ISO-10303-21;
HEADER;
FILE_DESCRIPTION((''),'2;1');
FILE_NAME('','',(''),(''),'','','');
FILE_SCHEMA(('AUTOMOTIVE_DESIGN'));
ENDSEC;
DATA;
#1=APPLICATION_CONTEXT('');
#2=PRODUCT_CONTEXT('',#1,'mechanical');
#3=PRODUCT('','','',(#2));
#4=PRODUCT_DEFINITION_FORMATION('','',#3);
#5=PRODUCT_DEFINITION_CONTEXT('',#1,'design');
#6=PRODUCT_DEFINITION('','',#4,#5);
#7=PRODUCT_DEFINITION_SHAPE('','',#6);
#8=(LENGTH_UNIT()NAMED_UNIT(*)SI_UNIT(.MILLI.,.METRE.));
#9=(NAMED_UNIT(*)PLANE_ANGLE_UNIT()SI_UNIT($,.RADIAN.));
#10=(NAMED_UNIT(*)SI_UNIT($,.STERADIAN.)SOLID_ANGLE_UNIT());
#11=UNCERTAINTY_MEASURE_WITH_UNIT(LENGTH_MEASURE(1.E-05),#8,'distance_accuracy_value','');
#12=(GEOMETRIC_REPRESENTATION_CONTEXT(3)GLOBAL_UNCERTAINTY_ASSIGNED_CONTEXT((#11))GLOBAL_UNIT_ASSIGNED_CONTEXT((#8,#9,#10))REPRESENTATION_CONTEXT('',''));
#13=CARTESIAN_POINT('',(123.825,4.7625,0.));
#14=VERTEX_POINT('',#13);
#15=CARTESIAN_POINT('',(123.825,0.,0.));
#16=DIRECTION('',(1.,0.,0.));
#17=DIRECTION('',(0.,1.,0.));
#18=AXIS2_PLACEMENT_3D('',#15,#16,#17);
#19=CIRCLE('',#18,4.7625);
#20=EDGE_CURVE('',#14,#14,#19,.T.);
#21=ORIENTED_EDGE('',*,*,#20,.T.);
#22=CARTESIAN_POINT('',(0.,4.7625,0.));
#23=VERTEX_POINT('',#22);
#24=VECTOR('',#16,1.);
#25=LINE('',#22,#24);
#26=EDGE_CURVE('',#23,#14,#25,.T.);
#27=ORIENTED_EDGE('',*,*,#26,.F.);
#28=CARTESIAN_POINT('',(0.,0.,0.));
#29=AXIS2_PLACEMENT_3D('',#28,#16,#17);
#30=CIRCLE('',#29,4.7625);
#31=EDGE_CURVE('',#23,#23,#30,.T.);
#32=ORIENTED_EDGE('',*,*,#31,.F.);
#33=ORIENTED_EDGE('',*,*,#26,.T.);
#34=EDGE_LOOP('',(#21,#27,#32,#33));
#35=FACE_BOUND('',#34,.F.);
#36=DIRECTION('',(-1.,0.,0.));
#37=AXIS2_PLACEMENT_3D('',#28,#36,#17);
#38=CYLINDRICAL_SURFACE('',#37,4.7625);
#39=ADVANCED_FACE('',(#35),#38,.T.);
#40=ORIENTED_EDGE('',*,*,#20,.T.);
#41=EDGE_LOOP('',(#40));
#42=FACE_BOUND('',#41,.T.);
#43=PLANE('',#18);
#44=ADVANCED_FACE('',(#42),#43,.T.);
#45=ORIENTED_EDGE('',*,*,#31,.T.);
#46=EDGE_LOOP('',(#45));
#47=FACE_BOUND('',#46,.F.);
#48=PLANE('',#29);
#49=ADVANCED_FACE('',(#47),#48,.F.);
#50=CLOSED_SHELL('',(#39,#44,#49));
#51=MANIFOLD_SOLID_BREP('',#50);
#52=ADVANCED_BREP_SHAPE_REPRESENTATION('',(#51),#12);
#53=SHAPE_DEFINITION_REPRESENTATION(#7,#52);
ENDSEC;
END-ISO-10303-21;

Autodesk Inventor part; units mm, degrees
ref_plane "YZ Plane" through (0, 0, 0) normal (1, 0, 0) x (0, 1, 0)
ref_plane "XZ Plane" through (0, 0, 0) normal (0, 1, 0) x (-1, 0, 0)
ref_plane "XY Plane" through (0, 0, 0) normal (0, 0, 1) x (1, 0, 0)
sketch "Sketch1" plane through (0, 0, 0) normal (1, 0, 0) x (0, 1, 0)
  circle A0 centre (0, 0) radius 4.7625
  dimension "d0" = 9.525
extrude "Extrusion1" add sketch "Sketch1" along normal blind 123.825
properties part number "Top_Arm_Rod" material "Stainless Steel"
